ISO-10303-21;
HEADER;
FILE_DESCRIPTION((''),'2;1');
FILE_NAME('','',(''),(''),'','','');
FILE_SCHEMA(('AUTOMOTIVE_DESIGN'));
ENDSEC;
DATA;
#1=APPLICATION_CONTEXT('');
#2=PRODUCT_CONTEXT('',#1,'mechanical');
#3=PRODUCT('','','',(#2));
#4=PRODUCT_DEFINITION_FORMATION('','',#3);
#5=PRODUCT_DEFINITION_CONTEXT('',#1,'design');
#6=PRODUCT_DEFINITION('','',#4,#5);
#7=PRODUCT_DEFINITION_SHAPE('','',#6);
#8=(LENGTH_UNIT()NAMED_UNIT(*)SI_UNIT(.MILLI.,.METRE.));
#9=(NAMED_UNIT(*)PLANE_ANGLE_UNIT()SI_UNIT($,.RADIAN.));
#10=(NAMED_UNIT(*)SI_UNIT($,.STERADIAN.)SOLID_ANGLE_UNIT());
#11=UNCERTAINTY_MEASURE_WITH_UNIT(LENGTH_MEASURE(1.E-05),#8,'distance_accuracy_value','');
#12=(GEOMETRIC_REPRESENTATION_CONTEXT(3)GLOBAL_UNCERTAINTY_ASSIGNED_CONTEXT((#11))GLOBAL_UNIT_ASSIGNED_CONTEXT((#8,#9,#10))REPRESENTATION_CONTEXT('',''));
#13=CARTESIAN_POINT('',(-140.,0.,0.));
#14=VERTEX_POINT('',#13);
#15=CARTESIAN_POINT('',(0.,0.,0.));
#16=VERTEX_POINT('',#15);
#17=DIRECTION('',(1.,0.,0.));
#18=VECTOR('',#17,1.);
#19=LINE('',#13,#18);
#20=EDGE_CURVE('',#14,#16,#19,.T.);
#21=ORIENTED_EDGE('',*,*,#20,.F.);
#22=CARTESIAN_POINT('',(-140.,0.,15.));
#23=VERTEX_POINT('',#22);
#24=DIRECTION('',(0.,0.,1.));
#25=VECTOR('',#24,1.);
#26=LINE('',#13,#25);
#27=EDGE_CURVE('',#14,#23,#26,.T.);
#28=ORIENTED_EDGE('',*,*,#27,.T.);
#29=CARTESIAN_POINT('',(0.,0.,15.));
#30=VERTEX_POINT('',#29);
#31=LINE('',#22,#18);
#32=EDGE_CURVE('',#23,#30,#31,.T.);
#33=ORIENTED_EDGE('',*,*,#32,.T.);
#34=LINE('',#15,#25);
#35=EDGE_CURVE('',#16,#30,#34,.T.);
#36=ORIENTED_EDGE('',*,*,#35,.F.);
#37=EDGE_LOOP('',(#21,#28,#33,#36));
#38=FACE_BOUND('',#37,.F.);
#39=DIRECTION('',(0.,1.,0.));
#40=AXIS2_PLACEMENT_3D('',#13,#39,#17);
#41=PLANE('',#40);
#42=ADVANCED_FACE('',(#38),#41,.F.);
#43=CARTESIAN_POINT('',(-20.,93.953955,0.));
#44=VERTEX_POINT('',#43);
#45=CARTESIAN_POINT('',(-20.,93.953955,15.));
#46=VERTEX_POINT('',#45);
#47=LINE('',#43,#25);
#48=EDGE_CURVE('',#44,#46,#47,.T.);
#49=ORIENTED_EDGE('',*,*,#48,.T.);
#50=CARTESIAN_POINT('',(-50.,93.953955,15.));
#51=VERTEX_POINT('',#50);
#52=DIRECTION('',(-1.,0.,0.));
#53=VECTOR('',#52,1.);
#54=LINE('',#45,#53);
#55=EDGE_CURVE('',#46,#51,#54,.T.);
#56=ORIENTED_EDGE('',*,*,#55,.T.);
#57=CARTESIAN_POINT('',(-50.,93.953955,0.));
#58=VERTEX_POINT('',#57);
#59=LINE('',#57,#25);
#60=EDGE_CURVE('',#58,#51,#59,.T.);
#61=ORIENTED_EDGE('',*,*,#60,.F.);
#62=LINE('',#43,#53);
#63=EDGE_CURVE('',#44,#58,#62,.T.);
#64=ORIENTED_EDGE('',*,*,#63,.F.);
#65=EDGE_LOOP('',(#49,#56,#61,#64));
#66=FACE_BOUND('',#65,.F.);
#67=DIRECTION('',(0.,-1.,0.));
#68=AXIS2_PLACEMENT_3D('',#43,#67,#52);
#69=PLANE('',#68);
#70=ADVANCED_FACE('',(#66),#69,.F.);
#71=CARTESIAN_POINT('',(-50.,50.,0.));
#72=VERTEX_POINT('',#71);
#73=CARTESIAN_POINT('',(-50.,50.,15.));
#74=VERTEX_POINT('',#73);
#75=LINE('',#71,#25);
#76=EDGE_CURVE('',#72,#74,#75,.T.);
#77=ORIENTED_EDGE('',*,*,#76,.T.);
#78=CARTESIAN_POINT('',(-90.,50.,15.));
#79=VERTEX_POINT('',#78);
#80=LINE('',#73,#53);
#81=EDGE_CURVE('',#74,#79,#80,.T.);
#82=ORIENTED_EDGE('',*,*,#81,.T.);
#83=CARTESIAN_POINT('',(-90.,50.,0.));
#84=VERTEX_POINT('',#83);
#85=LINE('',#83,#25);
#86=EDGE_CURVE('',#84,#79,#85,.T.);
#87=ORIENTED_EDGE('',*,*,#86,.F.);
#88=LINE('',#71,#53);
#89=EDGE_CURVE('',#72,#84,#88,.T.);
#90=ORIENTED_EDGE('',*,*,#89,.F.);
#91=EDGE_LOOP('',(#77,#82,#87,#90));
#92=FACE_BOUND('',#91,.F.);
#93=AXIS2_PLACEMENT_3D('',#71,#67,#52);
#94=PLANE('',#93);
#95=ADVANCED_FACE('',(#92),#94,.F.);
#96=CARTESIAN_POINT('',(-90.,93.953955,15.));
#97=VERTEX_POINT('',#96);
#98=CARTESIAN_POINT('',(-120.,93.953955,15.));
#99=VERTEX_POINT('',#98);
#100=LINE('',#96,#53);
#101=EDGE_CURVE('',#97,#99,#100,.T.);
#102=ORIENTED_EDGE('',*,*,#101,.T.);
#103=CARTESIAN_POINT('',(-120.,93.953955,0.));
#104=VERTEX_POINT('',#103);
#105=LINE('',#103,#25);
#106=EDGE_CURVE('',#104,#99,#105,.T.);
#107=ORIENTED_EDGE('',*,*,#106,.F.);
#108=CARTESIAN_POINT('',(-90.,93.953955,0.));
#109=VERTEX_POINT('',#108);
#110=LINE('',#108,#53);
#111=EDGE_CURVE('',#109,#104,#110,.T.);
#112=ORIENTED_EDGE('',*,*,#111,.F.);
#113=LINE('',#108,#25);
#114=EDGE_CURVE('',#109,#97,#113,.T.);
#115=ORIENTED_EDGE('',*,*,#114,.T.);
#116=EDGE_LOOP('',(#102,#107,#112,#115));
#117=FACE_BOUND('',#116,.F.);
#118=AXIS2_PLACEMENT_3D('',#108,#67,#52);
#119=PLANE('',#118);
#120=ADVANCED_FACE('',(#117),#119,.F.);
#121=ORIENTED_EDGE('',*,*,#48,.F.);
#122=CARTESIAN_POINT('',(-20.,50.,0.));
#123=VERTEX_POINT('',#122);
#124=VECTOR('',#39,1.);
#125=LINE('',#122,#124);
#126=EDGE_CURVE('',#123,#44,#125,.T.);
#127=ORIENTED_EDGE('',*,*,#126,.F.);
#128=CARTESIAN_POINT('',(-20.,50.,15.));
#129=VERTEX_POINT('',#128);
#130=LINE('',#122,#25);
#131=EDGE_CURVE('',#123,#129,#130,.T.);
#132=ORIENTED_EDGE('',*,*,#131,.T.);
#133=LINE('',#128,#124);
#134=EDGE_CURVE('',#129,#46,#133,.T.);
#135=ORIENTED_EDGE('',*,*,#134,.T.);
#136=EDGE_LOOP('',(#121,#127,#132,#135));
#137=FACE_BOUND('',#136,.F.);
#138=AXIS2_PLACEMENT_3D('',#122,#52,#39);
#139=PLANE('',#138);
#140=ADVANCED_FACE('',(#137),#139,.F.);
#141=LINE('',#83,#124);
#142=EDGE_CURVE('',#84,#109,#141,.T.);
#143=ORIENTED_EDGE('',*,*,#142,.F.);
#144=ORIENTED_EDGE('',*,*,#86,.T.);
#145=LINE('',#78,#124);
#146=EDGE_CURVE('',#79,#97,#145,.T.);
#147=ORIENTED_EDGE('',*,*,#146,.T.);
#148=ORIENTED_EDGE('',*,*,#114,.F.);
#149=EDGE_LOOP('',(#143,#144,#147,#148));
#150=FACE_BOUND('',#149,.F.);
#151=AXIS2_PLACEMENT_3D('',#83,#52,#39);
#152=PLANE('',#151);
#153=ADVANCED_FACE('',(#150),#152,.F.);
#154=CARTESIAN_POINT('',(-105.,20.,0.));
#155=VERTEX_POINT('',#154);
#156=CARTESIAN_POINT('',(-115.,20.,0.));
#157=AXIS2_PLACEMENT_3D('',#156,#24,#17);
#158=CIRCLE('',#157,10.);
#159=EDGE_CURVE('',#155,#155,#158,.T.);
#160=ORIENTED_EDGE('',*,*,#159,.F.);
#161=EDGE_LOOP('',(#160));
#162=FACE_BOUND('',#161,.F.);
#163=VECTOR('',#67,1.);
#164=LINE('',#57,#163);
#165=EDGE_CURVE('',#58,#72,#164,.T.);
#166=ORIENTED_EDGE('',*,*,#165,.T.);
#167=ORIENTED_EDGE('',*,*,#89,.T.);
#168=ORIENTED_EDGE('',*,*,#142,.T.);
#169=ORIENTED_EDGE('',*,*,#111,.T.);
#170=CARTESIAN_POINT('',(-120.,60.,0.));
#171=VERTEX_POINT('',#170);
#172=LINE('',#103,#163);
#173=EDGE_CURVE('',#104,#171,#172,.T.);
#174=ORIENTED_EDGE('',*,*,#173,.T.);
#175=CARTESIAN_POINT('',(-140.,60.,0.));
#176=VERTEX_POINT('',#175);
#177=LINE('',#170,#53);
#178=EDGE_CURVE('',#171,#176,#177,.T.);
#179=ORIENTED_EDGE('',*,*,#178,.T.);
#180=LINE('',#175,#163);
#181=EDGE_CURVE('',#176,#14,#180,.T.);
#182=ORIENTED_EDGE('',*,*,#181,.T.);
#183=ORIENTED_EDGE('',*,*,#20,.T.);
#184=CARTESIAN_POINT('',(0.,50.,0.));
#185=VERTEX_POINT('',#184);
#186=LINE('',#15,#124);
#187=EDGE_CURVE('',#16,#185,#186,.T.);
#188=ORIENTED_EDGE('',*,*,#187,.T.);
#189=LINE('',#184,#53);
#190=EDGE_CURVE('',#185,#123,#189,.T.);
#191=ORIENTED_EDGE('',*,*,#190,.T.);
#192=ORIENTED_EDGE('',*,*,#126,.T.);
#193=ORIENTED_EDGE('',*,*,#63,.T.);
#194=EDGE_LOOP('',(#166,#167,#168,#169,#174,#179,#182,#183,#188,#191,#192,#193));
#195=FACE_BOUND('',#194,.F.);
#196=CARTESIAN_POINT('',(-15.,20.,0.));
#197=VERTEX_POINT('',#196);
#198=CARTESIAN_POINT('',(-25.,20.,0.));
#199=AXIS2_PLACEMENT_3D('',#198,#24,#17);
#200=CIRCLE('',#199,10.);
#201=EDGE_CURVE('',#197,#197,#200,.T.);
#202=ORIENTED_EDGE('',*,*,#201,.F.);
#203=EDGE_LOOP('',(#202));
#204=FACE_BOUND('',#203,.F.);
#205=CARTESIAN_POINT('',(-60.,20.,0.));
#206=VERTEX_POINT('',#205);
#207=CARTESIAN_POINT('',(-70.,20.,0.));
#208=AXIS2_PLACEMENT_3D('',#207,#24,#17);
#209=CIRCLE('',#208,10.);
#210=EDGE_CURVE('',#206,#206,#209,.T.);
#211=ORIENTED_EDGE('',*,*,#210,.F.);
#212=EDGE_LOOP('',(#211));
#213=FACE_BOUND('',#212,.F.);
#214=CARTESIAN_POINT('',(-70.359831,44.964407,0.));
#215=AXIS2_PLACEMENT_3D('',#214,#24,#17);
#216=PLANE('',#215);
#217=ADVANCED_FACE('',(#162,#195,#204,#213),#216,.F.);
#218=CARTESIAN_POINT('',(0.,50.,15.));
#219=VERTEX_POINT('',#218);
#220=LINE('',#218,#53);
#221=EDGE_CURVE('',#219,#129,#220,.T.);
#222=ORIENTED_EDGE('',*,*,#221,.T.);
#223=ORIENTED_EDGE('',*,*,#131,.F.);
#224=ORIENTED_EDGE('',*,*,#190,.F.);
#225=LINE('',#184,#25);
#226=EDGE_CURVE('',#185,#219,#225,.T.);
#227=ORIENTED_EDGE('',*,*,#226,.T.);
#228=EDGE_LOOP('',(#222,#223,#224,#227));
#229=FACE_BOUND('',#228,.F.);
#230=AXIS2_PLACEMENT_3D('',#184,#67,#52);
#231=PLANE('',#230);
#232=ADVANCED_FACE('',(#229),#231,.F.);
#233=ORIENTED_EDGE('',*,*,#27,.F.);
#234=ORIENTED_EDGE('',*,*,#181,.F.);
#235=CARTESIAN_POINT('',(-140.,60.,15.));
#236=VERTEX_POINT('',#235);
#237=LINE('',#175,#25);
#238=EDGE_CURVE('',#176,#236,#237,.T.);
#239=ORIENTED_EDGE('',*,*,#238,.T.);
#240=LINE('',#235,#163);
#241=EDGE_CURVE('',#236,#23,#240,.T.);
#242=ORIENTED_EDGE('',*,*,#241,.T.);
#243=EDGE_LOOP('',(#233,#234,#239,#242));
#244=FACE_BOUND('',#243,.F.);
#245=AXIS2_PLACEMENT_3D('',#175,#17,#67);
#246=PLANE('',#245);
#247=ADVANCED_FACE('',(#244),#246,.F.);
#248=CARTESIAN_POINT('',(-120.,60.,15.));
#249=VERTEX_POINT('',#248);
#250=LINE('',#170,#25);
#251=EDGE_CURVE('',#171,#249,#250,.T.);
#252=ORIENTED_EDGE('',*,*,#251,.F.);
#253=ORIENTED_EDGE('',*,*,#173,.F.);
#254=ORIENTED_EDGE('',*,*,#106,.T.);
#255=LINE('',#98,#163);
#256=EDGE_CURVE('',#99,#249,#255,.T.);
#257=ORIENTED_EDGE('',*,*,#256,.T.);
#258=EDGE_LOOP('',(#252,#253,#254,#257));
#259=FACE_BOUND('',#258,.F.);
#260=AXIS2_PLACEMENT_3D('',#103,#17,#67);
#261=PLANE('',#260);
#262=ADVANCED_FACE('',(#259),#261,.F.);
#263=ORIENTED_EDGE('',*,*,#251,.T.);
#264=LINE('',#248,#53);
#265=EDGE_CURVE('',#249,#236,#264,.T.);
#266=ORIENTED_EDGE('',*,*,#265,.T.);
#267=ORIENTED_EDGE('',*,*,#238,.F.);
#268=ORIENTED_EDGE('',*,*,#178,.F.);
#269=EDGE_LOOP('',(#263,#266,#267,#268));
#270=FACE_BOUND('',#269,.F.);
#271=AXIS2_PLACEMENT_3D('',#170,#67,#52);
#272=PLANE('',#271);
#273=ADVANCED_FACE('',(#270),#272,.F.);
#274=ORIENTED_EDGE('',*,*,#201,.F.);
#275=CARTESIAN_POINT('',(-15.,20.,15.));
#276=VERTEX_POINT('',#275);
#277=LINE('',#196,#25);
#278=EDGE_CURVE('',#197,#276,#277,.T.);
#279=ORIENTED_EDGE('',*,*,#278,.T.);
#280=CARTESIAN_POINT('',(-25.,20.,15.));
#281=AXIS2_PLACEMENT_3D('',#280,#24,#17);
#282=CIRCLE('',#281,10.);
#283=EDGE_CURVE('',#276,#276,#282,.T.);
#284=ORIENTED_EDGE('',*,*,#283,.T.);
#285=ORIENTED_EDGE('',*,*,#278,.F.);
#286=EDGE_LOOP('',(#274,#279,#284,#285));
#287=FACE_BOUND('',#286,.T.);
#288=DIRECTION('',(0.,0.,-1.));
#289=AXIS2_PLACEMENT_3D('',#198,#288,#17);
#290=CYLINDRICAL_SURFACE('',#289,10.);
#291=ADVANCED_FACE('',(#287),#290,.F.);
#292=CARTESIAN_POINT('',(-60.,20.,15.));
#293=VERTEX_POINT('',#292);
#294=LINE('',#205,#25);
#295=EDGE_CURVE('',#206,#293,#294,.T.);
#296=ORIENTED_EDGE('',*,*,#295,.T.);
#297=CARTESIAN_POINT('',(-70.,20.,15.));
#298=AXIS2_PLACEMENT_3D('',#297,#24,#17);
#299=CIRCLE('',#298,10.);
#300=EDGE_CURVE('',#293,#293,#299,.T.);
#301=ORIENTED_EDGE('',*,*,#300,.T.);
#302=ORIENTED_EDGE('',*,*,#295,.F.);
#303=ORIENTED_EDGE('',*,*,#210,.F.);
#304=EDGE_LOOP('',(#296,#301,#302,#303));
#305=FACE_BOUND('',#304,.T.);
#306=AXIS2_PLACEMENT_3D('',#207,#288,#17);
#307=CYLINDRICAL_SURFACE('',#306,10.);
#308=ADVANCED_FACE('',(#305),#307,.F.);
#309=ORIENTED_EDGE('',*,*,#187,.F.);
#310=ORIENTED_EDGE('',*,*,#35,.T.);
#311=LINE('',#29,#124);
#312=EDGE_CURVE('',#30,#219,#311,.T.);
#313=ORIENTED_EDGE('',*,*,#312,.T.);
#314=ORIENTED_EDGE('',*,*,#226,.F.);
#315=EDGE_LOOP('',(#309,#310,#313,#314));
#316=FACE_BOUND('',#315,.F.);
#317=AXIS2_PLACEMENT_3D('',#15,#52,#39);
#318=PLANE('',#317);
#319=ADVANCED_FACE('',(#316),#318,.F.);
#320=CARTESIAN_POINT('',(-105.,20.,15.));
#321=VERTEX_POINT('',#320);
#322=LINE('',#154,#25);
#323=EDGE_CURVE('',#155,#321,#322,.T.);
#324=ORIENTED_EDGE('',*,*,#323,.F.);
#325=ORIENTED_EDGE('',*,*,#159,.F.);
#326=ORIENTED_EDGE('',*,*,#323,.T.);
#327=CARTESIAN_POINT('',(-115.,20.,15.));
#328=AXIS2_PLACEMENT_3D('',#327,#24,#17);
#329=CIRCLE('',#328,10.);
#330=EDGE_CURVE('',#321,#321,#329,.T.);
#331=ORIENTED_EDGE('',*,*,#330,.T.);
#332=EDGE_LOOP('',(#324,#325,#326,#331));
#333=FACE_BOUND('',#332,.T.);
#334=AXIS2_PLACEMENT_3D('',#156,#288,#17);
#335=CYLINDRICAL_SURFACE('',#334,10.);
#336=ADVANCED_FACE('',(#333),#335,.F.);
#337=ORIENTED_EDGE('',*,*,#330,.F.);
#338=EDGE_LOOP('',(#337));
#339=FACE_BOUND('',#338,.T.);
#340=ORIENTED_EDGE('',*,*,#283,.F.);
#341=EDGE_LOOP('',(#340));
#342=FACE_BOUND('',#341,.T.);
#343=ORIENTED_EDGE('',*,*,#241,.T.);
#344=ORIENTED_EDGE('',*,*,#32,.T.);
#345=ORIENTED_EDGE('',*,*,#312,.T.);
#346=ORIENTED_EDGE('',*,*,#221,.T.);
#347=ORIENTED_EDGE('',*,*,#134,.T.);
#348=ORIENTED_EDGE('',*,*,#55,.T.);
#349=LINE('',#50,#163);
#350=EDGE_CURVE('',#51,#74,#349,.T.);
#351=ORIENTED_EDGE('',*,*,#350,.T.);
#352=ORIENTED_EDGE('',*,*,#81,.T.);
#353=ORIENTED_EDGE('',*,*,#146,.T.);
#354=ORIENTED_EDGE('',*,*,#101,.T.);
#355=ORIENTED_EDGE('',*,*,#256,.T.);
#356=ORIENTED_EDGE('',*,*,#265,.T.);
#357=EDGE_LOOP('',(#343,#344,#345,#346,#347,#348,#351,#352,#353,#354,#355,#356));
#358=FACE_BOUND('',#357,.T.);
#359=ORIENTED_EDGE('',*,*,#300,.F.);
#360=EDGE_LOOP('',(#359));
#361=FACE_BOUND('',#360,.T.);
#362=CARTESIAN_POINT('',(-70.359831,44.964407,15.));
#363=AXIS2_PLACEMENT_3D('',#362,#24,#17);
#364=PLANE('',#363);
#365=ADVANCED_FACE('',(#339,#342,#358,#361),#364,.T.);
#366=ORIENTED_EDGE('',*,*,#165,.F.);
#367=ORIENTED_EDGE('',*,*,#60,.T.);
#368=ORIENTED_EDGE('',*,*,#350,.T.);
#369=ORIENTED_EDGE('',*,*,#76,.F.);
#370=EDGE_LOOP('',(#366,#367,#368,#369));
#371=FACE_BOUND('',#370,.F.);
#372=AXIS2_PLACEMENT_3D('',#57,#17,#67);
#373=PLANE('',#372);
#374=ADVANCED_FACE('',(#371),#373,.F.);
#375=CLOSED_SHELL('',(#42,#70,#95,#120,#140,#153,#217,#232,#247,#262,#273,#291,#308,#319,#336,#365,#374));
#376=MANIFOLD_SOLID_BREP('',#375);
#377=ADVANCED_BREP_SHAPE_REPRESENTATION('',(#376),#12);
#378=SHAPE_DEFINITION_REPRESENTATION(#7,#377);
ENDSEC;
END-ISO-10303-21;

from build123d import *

# Parameters (mm, degrees)
F0_R     = 10
F1_DEPTH = 15


with BuildPart() as f1:
    # F0 (on Top) → F1 (new body)
    with BuildSketch(Plane.XY):
        Polygon((-140, 0), (0, 0), (0, 50), (-20, 50), (-20, 93.953955), (-50, 93.953955), (-50, 50), (-90, 50), (-90, 93.953955), (-120, 93.953955), (-120, 60), (-140, 60), align=None)
        with Locations((-115, 20)):
            Circle(F0_R, mode=Mode.SUBTRACT)
        with Locations((-70, 20)):
            Circle(F0_R, mode=Mode.SUBTRACT)
        with Locations((-25, 20)):
            Circle(F0_R, mode=Mode.SUBTRACT)
    extrude(amount=F1_DEPTH)


solid = f1.part
